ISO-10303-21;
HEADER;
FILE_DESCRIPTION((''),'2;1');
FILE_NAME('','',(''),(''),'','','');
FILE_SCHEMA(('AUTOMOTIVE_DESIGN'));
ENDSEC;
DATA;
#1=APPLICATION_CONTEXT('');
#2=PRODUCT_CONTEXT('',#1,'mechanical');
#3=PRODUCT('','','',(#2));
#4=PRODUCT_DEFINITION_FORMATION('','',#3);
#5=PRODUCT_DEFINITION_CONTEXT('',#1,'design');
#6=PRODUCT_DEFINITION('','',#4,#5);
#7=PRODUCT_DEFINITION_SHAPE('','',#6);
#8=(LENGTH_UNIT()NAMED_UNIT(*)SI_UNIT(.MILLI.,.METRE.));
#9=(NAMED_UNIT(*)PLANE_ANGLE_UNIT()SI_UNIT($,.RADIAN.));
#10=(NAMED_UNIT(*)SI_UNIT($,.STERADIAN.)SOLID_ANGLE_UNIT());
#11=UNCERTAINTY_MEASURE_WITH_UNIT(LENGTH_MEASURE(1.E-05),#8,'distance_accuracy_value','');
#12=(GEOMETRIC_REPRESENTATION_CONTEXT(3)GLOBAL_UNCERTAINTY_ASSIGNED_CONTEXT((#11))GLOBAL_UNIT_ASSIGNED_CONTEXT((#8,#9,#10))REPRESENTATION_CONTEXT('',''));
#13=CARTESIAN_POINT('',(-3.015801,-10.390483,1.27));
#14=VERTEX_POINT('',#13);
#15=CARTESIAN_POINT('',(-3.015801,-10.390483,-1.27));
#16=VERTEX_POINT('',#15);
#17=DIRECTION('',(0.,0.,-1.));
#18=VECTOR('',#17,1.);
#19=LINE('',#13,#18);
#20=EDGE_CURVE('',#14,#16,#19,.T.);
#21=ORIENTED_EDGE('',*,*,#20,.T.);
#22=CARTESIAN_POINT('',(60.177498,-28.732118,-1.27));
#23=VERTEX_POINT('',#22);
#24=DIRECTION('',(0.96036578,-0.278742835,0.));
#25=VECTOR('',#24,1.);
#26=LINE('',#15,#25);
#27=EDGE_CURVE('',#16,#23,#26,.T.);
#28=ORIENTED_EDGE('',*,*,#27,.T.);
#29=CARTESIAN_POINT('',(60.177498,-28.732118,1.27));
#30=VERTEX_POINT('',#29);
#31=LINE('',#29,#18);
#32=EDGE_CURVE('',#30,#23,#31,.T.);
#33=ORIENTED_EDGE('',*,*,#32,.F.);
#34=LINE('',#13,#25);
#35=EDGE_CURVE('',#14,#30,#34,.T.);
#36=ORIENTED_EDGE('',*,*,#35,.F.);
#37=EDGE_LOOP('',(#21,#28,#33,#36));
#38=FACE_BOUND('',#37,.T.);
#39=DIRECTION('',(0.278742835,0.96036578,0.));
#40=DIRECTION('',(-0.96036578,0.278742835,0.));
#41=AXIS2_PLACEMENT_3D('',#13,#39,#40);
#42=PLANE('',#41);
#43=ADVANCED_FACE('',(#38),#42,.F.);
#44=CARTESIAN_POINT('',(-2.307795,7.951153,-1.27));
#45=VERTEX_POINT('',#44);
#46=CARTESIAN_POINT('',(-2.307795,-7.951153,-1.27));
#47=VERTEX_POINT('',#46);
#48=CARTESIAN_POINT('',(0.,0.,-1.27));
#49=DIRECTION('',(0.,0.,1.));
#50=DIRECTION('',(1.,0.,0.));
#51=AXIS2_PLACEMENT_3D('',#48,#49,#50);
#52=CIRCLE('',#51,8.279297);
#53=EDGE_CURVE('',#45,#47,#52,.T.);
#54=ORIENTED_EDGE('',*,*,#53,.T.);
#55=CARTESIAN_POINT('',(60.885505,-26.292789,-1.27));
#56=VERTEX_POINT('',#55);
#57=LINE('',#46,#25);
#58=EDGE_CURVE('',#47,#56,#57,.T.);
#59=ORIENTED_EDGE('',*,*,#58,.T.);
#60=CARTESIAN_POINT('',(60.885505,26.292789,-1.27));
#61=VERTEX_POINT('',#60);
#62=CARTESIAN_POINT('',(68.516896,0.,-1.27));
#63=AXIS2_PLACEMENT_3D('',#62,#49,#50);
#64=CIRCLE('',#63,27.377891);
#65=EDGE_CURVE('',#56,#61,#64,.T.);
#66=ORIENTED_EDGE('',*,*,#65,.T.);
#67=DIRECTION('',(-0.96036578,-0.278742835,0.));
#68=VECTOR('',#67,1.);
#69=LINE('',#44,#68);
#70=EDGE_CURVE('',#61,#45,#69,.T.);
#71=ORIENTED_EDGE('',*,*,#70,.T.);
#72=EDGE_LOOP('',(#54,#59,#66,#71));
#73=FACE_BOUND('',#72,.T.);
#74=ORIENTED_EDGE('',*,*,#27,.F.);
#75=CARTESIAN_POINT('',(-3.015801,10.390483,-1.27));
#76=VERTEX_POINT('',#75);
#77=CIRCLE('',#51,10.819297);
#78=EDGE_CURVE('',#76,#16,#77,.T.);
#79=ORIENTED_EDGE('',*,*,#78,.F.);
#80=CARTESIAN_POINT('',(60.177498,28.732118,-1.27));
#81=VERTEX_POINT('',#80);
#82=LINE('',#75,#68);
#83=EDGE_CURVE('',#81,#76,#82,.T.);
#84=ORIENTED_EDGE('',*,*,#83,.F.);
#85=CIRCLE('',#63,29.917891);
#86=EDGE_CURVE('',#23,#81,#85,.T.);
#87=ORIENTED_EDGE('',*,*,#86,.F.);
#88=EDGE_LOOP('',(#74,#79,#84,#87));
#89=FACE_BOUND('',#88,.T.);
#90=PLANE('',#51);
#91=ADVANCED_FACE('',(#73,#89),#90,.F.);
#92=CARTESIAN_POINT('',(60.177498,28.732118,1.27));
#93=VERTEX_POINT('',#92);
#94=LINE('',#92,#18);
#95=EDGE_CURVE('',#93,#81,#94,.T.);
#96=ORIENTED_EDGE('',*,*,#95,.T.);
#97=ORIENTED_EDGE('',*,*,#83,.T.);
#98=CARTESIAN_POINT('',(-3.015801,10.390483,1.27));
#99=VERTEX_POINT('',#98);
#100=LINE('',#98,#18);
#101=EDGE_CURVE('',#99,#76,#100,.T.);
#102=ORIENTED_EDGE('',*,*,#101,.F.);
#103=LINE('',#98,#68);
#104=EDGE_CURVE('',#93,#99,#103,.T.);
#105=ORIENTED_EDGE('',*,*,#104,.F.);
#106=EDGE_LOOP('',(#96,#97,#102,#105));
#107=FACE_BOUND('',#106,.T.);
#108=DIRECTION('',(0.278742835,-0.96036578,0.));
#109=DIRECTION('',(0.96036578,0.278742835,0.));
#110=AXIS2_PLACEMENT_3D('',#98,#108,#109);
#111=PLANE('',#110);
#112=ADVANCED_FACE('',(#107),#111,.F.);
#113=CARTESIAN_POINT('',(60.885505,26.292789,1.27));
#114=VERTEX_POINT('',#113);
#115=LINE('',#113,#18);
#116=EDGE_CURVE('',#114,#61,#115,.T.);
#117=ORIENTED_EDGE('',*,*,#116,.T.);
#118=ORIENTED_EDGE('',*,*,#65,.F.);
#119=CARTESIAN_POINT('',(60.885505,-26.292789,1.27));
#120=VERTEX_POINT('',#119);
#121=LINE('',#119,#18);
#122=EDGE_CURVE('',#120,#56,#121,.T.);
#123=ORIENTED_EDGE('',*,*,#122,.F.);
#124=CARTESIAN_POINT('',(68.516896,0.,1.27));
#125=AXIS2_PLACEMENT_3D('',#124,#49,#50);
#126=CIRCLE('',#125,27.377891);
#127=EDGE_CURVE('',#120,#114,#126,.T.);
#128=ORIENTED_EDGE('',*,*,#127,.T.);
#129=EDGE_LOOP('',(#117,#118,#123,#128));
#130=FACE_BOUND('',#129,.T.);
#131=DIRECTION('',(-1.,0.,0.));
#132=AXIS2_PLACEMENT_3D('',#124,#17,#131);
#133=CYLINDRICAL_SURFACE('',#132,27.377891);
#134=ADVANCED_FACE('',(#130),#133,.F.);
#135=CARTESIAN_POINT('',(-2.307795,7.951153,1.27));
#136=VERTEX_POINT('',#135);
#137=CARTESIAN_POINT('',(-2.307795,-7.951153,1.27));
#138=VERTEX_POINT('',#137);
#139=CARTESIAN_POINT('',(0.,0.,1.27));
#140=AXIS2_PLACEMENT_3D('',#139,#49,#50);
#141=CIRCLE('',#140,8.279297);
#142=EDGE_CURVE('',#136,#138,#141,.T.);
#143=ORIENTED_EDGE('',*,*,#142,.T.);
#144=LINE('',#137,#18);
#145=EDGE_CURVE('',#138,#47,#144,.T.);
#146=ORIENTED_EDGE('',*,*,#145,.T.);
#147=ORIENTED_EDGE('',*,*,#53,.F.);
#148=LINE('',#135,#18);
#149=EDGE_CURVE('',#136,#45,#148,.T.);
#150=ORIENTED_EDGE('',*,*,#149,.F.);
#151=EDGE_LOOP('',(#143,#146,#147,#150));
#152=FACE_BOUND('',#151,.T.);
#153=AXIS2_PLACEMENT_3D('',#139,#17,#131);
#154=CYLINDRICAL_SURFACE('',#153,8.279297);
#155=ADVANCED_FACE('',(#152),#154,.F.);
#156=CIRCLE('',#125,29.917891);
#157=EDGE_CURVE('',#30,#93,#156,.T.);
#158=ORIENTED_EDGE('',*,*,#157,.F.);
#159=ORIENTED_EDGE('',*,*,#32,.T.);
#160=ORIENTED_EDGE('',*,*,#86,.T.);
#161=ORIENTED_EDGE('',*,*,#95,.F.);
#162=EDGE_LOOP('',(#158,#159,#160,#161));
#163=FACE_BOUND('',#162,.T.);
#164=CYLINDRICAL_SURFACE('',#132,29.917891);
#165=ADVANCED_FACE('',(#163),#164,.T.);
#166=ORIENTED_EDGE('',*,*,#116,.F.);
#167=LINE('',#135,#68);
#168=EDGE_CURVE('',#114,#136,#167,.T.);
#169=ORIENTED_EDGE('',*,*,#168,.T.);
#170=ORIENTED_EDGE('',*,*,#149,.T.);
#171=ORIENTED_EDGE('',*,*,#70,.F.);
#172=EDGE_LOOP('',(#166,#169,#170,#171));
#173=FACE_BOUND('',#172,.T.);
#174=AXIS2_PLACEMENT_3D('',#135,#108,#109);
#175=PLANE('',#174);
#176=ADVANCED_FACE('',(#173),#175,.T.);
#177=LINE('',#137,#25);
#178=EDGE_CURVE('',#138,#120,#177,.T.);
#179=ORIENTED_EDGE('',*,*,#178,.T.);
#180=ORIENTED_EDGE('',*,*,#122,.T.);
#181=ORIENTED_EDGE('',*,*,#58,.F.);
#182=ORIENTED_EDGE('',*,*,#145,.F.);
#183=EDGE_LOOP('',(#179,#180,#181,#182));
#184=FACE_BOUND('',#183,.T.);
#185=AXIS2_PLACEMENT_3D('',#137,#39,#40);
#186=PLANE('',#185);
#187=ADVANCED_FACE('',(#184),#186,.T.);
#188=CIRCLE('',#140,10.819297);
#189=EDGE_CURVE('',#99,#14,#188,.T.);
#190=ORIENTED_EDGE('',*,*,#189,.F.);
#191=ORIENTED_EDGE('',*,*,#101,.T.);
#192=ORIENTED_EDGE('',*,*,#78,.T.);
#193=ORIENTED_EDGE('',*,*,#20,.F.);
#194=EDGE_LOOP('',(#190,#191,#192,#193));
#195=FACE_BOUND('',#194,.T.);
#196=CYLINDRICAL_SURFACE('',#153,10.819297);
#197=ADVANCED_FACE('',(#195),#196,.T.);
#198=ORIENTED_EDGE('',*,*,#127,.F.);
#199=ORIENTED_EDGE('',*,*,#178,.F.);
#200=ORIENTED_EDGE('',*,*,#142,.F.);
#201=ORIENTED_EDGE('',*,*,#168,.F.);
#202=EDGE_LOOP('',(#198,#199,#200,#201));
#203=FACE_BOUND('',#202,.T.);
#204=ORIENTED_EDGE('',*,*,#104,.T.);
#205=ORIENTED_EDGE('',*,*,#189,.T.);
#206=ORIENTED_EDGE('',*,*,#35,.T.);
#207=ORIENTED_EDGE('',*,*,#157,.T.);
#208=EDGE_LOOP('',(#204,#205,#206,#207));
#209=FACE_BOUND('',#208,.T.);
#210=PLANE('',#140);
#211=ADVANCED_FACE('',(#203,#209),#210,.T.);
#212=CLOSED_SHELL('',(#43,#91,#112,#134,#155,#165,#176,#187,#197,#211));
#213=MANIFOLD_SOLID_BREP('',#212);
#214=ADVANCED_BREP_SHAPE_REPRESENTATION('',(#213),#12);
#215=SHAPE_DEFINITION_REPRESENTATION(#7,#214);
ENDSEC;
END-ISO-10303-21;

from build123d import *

# Parameters (mm, degrees)
EXTRUDE_THIN1_DEPTH = 1.27


with BuildPart() as part:
    # Sketch1 → Extrude-Thin1 (new body, symmetric)
    with BuildSketch(Plane.XY):
        with BuildLine():
            Line((60.177498144, -28.732118421), (-3.015801488, -10.390482501))
            ThreePointArc((-3.015801488, -10.390482501), (-10.819296891, 0), (-3.015801488, 10.390482501))
            Line((-3.015801488, 10.390482501), (60.177498144, 28.732118421))
            ThreePointArc((60.177498144, 28.732118421), (98.434786481, 0), (60.177498144, -28.732118421))
        make_face()
        with BuildLine():
            Line((60.885504945, -26.292789339), (-2.307794687, -7.951153419))
            ThreePointArc((-2.307794687, -7.951153419), (-8.279296891, 0), (-2.307794687, 7.951153419))
            Line((-2.307794687, 7.951153419), (60.885504945, 26.292789339))
            ThreePointArc((60.885504945, 26.292789339), (95.894786481, 0), (60.885504945, -26.292789339))
        make_face(mode=Mode.SUBTRACT)
    extrude(amount=EXTRUDE_THIN1_DEPTH, both=True)


solid = part.part
